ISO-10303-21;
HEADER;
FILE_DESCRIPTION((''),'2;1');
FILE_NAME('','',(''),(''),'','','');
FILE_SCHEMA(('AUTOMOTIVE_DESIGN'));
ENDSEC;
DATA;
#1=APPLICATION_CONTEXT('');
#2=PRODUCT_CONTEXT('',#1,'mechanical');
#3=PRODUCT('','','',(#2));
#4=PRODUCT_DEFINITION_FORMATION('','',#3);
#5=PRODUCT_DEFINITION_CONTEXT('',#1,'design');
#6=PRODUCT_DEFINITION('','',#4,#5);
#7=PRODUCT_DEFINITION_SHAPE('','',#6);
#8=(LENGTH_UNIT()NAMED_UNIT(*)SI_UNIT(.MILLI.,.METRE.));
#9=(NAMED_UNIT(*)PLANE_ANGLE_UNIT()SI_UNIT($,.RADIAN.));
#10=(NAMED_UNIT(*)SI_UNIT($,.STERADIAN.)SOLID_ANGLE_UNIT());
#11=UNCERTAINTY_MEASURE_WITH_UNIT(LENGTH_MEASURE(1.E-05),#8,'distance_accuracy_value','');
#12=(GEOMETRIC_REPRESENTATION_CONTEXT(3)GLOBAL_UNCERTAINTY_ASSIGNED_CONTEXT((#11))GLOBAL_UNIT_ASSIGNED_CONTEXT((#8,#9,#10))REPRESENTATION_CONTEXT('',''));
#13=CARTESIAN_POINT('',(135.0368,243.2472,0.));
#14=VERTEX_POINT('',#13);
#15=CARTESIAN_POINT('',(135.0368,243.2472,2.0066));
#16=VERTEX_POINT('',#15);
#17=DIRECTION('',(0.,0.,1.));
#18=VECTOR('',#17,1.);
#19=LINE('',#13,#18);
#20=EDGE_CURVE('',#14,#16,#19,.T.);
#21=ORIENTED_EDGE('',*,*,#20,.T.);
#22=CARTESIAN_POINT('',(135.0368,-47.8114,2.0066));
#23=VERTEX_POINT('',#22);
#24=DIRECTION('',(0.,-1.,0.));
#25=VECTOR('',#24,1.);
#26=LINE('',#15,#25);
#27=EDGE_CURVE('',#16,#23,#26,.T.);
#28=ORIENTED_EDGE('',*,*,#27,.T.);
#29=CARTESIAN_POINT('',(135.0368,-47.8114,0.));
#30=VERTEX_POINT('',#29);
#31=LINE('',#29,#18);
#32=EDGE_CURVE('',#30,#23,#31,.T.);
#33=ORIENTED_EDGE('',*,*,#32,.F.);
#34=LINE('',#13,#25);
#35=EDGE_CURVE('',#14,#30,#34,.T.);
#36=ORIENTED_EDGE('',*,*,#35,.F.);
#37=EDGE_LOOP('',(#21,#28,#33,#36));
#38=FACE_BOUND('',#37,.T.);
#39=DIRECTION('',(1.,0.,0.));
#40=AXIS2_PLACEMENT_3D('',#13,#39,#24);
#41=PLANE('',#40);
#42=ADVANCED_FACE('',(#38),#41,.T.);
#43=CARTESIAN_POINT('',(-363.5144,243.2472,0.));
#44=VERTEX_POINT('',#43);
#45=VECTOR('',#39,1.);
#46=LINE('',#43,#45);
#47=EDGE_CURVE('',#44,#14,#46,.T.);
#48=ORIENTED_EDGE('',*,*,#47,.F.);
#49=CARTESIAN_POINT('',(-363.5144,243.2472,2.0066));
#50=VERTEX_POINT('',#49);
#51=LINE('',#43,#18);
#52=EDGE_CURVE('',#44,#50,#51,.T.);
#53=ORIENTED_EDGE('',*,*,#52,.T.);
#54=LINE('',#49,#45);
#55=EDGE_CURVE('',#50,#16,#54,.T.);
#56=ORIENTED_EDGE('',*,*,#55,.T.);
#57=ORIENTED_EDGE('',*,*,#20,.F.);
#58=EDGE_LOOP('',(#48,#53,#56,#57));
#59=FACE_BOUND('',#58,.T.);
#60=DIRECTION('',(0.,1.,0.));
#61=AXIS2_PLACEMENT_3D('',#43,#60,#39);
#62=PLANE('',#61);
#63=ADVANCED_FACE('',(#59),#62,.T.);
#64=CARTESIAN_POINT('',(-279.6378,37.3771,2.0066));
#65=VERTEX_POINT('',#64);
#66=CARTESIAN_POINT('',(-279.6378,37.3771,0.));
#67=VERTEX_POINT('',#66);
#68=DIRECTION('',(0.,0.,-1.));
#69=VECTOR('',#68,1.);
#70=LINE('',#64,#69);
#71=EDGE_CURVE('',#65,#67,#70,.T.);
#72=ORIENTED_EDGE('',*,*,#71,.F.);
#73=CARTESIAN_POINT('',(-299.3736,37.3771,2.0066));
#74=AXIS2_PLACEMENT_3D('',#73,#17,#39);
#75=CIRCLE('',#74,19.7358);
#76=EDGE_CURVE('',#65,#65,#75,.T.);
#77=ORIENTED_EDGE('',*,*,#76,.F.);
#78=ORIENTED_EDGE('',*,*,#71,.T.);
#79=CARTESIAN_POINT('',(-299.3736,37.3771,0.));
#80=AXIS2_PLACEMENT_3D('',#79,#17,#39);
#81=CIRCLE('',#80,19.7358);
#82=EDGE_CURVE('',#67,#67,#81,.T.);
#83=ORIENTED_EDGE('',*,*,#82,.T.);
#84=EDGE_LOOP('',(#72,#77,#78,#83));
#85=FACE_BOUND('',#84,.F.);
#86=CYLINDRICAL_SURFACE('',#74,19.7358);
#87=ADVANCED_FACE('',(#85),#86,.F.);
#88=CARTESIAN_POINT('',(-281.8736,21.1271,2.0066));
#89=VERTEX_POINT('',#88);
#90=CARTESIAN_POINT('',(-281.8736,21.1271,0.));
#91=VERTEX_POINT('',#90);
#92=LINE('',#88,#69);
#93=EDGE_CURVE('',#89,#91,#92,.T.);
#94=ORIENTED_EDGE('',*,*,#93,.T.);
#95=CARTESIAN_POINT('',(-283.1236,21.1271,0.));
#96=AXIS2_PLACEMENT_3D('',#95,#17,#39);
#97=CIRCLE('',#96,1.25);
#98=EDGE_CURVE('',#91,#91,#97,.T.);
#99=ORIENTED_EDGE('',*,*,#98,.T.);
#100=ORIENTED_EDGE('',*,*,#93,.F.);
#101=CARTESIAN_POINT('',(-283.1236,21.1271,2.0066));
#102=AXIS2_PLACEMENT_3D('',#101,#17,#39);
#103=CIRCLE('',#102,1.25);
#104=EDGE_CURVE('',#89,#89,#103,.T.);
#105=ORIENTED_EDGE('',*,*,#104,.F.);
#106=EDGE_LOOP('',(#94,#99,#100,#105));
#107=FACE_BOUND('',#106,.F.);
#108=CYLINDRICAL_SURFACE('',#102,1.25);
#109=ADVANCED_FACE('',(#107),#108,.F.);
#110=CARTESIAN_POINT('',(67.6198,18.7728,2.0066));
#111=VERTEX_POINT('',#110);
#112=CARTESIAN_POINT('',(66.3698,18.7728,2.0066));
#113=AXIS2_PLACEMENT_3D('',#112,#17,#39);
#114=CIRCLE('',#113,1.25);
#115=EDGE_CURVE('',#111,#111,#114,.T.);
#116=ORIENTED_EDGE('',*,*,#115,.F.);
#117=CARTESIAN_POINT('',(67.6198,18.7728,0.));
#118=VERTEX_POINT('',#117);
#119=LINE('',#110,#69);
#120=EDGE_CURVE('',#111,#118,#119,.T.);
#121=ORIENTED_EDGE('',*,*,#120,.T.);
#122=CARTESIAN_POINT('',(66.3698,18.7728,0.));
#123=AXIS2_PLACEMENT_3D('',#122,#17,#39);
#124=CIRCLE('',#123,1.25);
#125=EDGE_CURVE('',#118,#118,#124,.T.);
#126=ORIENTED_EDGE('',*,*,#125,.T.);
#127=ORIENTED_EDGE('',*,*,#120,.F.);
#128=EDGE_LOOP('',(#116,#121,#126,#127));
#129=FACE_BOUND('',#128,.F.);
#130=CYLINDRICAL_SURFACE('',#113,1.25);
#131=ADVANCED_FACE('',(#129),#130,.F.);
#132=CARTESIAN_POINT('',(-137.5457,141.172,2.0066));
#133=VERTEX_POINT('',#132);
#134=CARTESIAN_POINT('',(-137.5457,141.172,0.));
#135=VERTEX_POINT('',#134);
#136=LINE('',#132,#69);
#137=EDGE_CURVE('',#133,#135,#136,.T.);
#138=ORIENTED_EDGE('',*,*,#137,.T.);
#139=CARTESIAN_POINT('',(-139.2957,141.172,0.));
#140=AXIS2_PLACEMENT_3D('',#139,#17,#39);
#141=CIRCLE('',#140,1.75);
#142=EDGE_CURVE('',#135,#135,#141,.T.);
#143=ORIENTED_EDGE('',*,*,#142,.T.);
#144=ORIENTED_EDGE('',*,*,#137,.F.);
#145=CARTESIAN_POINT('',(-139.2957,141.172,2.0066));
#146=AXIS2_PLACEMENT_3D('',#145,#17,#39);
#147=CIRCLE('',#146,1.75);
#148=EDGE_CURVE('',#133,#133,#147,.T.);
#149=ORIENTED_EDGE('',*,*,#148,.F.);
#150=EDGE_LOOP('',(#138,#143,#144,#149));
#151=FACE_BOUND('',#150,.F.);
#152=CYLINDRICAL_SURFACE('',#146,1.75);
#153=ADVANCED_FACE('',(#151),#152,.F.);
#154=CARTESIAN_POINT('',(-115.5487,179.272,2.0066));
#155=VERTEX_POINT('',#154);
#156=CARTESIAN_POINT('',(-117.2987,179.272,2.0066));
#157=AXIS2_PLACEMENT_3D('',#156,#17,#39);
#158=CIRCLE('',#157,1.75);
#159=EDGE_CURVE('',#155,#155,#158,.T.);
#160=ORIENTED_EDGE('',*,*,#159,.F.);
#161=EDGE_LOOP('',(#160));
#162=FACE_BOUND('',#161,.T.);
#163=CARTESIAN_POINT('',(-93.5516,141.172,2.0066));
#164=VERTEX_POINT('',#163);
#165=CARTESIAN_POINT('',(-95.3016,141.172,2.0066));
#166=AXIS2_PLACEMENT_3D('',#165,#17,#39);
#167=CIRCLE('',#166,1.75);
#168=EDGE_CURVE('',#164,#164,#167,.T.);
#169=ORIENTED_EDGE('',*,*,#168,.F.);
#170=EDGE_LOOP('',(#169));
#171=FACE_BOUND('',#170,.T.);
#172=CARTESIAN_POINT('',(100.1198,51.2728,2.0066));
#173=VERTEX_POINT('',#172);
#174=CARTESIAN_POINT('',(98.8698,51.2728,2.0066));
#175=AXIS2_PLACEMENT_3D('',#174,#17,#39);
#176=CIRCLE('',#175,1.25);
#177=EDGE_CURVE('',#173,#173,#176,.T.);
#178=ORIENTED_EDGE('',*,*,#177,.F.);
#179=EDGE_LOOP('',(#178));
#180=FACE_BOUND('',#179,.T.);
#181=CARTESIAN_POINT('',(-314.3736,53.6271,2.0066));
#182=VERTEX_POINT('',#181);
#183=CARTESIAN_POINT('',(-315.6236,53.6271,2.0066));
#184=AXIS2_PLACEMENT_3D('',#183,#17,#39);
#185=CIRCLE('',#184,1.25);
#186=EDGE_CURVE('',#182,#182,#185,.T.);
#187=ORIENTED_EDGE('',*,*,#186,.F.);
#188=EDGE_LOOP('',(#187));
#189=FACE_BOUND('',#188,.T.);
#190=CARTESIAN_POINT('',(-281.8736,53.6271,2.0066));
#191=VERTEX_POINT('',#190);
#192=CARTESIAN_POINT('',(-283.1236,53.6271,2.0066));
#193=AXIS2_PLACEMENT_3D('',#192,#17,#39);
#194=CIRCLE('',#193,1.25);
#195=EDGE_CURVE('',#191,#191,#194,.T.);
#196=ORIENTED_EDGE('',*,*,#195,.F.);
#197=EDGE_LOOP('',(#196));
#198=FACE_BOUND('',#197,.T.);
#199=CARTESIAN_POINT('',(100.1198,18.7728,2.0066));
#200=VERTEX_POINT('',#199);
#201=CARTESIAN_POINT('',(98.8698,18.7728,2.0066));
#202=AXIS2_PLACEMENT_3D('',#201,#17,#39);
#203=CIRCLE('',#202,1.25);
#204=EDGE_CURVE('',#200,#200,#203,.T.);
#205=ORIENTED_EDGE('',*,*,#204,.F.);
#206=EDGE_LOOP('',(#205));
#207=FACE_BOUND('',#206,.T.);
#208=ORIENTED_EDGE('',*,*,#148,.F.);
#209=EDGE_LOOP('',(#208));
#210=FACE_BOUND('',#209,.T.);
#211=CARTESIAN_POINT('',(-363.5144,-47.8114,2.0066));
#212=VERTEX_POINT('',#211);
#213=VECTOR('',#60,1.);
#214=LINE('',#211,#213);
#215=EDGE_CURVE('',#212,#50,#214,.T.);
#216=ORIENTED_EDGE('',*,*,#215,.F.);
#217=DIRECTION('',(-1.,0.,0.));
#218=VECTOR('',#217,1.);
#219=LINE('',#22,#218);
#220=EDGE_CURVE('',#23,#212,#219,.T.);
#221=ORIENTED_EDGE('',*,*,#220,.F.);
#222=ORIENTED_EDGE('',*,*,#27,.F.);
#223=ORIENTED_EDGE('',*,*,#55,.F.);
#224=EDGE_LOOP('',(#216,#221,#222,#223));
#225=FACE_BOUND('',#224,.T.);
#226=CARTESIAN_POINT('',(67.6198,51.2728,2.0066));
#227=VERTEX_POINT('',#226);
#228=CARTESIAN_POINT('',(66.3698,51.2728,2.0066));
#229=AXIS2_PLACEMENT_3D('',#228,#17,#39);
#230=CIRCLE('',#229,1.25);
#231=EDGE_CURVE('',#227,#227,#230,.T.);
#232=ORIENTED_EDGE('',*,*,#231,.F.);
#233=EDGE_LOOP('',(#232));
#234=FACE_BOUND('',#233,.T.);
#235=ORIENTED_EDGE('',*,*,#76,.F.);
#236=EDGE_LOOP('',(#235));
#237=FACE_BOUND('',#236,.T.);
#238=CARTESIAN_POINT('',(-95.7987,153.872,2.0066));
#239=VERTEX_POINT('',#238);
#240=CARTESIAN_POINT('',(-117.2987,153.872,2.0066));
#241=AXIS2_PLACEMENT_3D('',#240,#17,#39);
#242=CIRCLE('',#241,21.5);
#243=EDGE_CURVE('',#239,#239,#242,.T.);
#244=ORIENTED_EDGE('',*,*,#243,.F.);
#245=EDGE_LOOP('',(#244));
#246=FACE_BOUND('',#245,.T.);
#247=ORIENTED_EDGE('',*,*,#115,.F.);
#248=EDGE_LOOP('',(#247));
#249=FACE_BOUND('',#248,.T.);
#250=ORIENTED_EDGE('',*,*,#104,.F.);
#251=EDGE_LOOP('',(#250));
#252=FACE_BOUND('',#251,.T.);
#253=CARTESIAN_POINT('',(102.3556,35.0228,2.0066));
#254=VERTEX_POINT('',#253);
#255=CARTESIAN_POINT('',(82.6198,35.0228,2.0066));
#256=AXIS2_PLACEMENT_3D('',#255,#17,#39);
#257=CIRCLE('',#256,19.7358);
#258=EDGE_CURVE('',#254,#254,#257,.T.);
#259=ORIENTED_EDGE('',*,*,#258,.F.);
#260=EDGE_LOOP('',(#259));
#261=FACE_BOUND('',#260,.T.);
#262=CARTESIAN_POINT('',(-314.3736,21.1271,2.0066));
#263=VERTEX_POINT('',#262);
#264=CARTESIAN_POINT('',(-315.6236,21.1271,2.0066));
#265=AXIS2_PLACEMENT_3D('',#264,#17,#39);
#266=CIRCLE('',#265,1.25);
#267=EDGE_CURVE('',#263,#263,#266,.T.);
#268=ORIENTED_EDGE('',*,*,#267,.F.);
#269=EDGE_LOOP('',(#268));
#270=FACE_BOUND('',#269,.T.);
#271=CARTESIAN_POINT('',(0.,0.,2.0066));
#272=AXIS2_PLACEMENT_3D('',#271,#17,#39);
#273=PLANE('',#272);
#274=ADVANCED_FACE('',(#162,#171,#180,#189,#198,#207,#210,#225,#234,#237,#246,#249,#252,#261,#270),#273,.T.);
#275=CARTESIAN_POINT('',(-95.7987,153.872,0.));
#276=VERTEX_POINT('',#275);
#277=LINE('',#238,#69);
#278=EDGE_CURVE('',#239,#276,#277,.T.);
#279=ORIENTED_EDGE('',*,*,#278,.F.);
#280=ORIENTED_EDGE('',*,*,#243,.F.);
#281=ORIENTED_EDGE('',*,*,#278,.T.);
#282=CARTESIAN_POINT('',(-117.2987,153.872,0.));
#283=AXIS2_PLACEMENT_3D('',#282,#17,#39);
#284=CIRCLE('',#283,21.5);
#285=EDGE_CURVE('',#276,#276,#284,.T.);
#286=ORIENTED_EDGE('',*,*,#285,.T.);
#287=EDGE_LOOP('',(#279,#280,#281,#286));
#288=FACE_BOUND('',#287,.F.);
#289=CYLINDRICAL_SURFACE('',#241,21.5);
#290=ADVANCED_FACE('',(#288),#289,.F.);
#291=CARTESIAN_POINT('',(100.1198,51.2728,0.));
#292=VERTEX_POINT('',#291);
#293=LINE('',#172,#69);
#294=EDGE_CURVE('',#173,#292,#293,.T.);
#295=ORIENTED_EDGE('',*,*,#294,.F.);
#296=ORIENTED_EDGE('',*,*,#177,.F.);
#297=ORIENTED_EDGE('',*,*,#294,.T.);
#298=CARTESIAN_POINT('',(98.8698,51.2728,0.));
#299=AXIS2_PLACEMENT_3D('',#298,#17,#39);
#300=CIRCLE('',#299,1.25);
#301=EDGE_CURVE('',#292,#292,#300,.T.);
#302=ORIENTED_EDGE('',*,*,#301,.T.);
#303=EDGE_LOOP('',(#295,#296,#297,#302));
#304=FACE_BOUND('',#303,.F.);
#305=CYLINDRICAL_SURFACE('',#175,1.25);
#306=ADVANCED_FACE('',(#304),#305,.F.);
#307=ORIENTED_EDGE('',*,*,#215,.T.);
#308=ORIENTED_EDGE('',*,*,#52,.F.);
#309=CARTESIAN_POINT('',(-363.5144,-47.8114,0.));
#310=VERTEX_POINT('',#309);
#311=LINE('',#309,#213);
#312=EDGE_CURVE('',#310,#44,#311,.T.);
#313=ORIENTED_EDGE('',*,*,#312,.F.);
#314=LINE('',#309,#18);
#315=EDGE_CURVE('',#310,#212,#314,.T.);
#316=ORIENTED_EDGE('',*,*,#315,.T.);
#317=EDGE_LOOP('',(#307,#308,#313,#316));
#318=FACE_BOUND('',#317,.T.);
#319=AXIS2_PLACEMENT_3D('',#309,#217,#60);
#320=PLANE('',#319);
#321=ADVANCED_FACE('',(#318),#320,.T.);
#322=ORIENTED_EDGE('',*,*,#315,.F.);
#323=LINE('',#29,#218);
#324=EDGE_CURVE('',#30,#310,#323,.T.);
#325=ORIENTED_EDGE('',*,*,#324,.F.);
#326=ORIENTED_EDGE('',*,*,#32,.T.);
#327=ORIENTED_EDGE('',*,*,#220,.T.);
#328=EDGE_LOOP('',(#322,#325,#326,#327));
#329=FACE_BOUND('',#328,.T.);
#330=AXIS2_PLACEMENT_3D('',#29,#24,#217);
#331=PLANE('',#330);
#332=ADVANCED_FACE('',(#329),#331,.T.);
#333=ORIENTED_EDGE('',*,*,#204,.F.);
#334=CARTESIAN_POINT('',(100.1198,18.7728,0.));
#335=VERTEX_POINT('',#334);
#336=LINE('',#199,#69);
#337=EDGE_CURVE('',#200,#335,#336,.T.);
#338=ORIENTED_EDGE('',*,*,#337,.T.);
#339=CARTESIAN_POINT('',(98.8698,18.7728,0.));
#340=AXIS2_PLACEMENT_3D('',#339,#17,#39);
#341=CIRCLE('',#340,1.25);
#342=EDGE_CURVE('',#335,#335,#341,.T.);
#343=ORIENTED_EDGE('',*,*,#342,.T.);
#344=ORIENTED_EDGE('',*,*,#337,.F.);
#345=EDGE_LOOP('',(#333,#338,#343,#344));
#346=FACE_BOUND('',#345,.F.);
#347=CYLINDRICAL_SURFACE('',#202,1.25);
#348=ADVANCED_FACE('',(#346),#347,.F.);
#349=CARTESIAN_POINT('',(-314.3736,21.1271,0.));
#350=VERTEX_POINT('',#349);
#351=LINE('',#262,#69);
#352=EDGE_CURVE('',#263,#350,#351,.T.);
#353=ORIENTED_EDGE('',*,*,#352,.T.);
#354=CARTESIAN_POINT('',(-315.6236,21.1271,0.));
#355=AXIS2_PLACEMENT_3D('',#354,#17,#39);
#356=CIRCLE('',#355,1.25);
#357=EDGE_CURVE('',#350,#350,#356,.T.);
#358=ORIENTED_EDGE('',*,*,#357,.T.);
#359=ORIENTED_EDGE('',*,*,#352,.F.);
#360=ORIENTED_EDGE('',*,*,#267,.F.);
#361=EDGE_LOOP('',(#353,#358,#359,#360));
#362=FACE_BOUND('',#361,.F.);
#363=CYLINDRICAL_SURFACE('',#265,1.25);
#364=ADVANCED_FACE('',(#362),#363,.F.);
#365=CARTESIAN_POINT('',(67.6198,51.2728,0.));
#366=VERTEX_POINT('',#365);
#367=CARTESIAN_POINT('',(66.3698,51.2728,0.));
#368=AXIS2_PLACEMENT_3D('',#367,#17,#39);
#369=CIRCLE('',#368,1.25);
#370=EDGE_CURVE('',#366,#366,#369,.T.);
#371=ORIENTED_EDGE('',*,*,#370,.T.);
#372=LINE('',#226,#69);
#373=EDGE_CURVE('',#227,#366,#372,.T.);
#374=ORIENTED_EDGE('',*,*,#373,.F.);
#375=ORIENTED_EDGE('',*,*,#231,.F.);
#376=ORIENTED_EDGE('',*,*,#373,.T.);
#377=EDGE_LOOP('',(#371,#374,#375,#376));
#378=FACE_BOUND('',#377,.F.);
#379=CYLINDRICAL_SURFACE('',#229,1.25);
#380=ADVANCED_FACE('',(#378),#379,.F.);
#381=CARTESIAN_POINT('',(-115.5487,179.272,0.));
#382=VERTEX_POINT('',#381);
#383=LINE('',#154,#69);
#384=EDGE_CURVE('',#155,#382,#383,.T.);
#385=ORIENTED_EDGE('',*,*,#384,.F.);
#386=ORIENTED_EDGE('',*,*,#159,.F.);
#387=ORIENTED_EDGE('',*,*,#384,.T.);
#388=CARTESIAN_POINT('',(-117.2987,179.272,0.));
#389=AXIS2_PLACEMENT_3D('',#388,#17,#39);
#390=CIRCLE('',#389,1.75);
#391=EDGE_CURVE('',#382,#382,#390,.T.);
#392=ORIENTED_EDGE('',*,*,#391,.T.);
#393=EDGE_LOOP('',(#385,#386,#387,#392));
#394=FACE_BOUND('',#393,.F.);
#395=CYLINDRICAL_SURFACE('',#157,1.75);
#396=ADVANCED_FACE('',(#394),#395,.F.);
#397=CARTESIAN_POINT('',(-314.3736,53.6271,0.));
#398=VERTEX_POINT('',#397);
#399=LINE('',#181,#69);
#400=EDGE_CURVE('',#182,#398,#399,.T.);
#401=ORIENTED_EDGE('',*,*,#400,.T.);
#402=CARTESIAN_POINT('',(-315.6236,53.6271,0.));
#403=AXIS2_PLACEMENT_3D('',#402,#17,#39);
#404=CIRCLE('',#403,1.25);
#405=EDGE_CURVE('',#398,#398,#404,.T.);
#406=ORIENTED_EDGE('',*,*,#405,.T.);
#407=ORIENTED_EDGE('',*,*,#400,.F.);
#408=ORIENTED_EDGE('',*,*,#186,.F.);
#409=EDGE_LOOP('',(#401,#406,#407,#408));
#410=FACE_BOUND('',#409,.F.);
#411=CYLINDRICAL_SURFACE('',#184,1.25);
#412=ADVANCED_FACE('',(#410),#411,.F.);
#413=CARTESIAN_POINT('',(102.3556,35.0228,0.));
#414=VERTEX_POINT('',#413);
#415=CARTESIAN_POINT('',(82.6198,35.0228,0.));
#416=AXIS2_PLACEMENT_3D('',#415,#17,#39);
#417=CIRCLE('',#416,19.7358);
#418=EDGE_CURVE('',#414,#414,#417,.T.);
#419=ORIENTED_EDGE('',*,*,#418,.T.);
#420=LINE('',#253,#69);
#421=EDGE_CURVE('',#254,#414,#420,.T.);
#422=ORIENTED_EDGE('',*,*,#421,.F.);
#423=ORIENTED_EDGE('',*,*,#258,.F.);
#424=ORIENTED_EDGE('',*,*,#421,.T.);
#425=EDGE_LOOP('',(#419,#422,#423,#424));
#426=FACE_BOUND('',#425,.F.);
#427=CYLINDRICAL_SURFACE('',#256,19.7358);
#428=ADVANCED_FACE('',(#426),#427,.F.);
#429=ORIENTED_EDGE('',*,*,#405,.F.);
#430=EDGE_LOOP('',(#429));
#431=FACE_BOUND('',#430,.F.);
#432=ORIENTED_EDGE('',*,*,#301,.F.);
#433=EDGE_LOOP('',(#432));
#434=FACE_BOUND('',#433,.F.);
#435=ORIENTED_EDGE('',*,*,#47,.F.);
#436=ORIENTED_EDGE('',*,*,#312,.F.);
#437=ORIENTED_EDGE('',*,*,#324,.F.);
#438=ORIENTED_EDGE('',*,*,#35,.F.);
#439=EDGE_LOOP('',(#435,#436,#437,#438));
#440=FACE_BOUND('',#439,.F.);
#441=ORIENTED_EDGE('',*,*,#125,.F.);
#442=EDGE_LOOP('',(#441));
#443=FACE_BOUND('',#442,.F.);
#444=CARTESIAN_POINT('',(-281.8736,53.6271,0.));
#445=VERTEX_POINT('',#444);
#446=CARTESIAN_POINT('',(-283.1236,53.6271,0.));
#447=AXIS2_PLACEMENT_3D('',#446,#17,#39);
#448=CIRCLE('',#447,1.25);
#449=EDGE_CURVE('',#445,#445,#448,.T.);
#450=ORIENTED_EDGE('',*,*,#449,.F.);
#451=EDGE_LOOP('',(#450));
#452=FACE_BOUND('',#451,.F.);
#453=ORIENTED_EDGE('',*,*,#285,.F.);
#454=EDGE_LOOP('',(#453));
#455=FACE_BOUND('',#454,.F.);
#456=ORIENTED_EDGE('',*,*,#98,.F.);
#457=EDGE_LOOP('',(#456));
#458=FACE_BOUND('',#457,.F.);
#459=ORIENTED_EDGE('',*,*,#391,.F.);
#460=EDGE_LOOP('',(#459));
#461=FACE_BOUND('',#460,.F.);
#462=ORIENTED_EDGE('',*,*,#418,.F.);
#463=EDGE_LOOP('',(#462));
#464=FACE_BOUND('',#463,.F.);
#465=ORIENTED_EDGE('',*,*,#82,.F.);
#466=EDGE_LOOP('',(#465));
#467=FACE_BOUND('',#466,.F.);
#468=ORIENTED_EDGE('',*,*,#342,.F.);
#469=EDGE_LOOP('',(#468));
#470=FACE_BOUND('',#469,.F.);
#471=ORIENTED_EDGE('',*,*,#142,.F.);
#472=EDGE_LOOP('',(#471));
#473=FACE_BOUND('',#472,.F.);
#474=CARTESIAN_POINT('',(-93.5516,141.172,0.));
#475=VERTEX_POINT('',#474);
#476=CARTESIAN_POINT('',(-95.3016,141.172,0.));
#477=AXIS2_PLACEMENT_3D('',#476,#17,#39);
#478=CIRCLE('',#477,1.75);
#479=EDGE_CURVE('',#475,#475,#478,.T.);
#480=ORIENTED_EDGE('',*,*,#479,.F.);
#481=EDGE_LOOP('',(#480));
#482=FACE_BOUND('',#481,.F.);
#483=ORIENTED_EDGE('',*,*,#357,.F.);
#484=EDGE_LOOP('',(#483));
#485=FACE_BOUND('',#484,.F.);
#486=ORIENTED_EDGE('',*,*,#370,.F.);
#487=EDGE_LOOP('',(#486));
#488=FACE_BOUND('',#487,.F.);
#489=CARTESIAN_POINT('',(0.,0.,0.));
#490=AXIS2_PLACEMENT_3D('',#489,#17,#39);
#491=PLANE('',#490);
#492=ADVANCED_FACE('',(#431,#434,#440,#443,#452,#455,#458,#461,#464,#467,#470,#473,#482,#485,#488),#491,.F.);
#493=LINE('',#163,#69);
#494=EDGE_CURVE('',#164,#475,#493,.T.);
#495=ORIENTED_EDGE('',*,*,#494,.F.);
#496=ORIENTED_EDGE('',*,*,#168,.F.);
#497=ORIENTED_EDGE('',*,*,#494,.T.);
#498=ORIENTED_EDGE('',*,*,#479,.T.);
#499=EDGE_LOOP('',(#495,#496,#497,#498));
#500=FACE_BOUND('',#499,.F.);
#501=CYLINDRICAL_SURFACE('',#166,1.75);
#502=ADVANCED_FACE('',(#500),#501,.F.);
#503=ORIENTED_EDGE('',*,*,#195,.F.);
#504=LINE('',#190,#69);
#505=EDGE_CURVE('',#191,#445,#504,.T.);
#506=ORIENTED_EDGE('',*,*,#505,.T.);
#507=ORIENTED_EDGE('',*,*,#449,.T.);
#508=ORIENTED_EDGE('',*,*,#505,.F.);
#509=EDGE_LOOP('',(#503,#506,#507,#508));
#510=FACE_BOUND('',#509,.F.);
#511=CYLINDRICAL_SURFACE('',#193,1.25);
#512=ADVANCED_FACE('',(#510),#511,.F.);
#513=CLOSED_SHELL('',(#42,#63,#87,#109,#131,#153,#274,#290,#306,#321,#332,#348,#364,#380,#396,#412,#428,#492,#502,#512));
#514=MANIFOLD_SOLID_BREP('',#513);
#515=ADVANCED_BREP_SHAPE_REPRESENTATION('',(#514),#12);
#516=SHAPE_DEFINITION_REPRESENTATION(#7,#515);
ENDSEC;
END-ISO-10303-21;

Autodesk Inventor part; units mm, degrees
ref_plane "YZ Plane" through (0, 0, 0) normal (1, 0, 0) x (0, 1, 0)
ref_plane "XZ Plane" through (0, 0, 0) normal (0, 1, 0) x (-1, 0, 0)
ref_plane "XY Plane" through (0, 0, 0) normal (0, 0, 1) x (1, 0, 0)
sketch "Sketch1" plane through (0, 0, 0) normal (0, 0, 1) x (1, 0, 0)
  line L0 (-363.5144, 243.2472) -> (135.0368, 243.2472)
  line L1 (135.0368, 243.2472) -> (135.0368, -47.8114)
  line L2 (135.0368, -47.8114) -> (-363.5144, -47.8114)
  line L3 (-363.5144, -47.8114) -> (-363.5144, 243.2472)
  point P0 (0, 0)
  dimension "d0" = 498.5512
  dimension "d1" = 291.0586
extrude "Extrusion1" add sketch "Sketch1" along normal blind 2.0066
sketch "Sketch2" plane through (0, 0, 2.0066) normal (0, 0, 1) x (1, 0, 0)
  circle A0 centre (82.6198, 35.0228) radius 19.7358
  circle A1 centre (66.3698, 18.7728) radius 1.25
  line L0 (385.8263, -153.0596) -> (385.8263, 254.4224)
  line L1 (-77.3983, -47.0364) -> (620.5734, -47.0364)
  circle A2 centre (66.3698, 51.2728) radius 1.25
  circle A3 centre (98.8698, 18.7728) radius 1.25
  circle A4 centre (98.8698, 51.2728) radius 1.25
  point P0 (385.8263, -47.0364)
  dimension "d4" = 39.4716
  dimension "d5" = 2.5
  dimension "d11" = 32.5
  dimension "d14" = 32.5
  dimension "d17" = 16.25
  dimension "d18" = 16.25
extrude "Joystick 1" cut sketch "Sketch2" against normal blind 2.0066
sketch "Sketch3" plane through (1.6331, 0.1353, 2.0066) normal (0, 0, 1) x (1, 0, 0)
  circle A0 centre (-301.0067, 37.2418) radius 19.7358
  circle A1 centre (-317.2567, 20.9918) radius 1.25
  line L0 (0, -106.0232) -> (0, 301.4589)
  line L1 (-463.2246, 0) -> (234.7471, 0)
  circle A2 centre (-317.2567, 53.4918) radius 1.25
  circle A3 centre (-284.7567, 20.9918) radius 1.25
  circle A4 centre (-284.7567, 53.4918) radius 1.25
  point P0 (0, 0)
  dimension "d30" = 39.4716
  dimension "d28" = 2.5
  dimension "d22" = 32.5
  dimension "d21" = 32.5
  dimension "d27" = 16.25
  dimension "d29" = 16.25
extrude "Joystick 2" cut sketch "Sketch3" against normal blind 2.0066
sketch "Sketch4" plane through (0, 0, 2.0066) normal (0, 0, 1) x (1, 0, 0)
  circle A0 centre (-117.2987, 153.872) radius 21.5
  circle A1 centre (-117.2987, 179.272) radius 1.75
  circle A2 centre (-139.2957, 141.172) radius 1.75
  circle A3 centre (-95.3016, 141.172) radius 1.75
  point P0 (0, 0)
  dimension "d34" = 43
  dimension "d35" = 25.4
  dimension "d36" = 3.5
  dimension "d39" = 360
extrude "Throttle Encoder" cut sketch "Sketch4" against normal blind 2.0066
properties part number "Panel"
